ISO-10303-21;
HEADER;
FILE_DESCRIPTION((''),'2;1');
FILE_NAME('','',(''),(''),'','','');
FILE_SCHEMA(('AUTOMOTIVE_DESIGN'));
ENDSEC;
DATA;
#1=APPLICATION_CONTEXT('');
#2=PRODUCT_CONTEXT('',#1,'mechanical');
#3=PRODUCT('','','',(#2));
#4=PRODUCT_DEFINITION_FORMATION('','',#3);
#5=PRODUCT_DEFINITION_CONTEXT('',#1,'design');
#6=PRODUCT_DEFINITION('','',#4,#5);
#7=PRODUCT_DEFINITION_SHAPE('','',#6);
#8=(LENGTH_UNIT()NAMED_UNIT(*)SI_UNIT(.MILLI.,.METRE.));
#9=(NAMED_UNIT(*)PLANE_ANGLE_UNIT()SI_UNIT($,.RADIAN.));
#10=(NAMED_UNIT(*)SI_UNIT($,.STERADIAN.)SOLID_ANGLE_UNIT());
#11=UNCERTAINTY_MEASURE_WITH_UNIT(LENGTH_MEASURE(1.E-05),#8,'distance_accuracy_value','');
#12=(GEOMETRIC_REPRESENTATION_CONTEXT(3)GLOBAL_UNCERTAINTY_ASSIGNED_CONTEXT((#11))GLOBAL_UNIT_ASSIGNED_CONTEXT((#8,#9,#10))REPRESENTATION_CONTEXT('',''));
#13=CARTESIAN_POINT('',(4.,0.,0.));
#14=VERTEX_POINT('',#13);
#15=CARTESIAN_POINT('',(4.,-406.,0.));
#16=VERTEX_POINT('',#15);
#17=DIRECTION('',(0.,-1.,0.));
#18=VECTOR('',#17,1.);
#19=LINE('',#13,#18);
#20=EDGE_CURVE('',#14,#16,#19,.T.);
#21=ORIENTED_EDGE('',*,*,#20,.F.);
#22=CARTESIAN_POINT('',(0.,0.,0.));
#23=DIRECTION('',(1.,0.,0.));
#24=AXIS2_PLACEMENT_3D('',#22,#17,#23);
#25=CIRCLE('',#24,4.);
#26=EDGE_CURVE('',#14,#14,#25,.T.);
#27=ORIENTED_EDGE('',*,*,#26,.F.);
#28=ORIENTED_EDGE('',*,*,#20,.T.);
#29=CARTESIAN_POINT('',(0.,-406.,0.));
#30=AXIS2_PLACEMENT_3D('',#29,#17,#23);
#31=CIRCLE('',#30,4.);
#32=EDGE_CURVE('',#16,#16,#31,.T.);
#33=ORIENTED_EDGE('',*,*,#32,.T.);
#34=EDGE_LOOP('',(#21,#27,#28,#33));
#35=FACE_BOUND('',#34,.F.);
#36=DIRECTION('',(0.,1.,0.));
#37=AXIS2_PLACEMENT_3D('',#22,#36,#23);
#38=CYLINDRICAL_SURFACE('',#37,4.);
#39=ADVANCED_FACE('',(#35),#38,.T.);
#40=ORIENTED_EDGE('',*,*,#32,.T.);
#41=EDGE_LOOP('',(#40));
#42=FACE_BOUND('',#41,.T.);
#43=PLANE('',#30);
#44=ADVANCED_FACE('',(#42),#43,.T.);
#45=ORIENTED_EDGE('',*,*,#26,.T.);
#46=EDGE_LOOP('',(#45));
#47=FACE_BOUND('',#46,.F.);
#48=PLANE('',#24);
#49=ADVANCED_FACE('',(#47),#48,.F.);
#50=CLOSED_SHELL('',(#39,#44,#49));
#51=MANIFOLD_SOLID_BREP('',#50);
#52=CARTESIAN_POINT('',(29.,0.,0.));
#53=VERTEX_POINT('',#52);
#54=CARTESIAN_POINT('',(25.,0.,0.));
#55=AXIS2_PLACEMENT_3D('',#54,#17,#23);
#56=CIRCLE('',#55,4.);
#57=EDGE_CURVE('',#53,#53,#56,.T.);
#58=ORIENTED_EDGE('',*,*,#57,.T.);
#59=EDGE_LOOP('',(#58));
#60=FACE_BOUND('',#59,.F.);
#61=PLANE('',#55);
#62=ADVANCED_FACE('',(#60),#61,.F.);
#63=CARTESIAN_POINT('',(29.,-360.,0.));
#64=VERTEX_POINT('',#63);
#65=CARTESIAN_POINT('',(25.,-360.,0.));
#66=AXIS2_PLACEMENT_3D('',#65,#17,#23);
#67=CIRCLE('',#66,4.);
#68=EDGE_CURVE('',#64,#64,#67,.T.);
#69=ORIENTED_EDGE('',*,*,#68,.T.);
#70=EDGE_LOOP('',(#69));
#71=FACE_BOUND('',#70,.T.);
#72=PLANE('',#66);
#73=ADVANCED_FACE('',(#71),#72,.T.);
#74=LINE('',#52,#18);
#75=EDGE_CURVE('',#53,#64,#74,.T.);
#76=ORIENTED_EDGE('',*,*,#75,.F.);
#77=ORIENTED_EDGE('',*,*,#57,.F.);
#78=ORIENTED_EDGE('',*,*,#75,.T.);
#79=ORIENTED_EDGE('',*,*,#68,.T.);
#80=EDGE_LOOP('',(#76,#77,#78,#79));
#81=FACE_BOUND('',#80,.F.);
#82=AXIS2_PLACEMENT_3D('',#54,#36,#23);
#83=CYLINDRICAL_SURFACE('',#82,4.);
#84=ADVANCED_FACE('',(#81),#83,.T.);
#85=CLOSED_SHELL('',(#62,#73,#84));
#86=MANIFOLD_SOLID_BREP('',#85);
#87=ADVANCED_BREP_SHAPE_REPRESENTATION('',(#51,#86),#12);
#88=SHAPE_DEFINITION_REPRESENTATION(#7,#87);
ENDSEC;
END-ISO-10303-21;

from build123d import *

# Parameters (mm, degrees)
F0_R     = 4
F1_DEPTH = 406
F2_DEPTH = 360


with BuildPart() as f1:
    # F0 (on Front) → F1 (new body)
    with BuildSketch(Plane.XZ):
        Circle(F0_R)
    extrude(amount=F1_DEPTH)


with BuildPart() as f2:
    # F0 (on Front) → F2 (new body)
    with BuildSketch(Plane.XZ):
        with Locations((25, 0)):
            Circle(F0_R)
    extrude(amount=F2_DEPTH)


solid = Compound([f1.part, f2.part])
